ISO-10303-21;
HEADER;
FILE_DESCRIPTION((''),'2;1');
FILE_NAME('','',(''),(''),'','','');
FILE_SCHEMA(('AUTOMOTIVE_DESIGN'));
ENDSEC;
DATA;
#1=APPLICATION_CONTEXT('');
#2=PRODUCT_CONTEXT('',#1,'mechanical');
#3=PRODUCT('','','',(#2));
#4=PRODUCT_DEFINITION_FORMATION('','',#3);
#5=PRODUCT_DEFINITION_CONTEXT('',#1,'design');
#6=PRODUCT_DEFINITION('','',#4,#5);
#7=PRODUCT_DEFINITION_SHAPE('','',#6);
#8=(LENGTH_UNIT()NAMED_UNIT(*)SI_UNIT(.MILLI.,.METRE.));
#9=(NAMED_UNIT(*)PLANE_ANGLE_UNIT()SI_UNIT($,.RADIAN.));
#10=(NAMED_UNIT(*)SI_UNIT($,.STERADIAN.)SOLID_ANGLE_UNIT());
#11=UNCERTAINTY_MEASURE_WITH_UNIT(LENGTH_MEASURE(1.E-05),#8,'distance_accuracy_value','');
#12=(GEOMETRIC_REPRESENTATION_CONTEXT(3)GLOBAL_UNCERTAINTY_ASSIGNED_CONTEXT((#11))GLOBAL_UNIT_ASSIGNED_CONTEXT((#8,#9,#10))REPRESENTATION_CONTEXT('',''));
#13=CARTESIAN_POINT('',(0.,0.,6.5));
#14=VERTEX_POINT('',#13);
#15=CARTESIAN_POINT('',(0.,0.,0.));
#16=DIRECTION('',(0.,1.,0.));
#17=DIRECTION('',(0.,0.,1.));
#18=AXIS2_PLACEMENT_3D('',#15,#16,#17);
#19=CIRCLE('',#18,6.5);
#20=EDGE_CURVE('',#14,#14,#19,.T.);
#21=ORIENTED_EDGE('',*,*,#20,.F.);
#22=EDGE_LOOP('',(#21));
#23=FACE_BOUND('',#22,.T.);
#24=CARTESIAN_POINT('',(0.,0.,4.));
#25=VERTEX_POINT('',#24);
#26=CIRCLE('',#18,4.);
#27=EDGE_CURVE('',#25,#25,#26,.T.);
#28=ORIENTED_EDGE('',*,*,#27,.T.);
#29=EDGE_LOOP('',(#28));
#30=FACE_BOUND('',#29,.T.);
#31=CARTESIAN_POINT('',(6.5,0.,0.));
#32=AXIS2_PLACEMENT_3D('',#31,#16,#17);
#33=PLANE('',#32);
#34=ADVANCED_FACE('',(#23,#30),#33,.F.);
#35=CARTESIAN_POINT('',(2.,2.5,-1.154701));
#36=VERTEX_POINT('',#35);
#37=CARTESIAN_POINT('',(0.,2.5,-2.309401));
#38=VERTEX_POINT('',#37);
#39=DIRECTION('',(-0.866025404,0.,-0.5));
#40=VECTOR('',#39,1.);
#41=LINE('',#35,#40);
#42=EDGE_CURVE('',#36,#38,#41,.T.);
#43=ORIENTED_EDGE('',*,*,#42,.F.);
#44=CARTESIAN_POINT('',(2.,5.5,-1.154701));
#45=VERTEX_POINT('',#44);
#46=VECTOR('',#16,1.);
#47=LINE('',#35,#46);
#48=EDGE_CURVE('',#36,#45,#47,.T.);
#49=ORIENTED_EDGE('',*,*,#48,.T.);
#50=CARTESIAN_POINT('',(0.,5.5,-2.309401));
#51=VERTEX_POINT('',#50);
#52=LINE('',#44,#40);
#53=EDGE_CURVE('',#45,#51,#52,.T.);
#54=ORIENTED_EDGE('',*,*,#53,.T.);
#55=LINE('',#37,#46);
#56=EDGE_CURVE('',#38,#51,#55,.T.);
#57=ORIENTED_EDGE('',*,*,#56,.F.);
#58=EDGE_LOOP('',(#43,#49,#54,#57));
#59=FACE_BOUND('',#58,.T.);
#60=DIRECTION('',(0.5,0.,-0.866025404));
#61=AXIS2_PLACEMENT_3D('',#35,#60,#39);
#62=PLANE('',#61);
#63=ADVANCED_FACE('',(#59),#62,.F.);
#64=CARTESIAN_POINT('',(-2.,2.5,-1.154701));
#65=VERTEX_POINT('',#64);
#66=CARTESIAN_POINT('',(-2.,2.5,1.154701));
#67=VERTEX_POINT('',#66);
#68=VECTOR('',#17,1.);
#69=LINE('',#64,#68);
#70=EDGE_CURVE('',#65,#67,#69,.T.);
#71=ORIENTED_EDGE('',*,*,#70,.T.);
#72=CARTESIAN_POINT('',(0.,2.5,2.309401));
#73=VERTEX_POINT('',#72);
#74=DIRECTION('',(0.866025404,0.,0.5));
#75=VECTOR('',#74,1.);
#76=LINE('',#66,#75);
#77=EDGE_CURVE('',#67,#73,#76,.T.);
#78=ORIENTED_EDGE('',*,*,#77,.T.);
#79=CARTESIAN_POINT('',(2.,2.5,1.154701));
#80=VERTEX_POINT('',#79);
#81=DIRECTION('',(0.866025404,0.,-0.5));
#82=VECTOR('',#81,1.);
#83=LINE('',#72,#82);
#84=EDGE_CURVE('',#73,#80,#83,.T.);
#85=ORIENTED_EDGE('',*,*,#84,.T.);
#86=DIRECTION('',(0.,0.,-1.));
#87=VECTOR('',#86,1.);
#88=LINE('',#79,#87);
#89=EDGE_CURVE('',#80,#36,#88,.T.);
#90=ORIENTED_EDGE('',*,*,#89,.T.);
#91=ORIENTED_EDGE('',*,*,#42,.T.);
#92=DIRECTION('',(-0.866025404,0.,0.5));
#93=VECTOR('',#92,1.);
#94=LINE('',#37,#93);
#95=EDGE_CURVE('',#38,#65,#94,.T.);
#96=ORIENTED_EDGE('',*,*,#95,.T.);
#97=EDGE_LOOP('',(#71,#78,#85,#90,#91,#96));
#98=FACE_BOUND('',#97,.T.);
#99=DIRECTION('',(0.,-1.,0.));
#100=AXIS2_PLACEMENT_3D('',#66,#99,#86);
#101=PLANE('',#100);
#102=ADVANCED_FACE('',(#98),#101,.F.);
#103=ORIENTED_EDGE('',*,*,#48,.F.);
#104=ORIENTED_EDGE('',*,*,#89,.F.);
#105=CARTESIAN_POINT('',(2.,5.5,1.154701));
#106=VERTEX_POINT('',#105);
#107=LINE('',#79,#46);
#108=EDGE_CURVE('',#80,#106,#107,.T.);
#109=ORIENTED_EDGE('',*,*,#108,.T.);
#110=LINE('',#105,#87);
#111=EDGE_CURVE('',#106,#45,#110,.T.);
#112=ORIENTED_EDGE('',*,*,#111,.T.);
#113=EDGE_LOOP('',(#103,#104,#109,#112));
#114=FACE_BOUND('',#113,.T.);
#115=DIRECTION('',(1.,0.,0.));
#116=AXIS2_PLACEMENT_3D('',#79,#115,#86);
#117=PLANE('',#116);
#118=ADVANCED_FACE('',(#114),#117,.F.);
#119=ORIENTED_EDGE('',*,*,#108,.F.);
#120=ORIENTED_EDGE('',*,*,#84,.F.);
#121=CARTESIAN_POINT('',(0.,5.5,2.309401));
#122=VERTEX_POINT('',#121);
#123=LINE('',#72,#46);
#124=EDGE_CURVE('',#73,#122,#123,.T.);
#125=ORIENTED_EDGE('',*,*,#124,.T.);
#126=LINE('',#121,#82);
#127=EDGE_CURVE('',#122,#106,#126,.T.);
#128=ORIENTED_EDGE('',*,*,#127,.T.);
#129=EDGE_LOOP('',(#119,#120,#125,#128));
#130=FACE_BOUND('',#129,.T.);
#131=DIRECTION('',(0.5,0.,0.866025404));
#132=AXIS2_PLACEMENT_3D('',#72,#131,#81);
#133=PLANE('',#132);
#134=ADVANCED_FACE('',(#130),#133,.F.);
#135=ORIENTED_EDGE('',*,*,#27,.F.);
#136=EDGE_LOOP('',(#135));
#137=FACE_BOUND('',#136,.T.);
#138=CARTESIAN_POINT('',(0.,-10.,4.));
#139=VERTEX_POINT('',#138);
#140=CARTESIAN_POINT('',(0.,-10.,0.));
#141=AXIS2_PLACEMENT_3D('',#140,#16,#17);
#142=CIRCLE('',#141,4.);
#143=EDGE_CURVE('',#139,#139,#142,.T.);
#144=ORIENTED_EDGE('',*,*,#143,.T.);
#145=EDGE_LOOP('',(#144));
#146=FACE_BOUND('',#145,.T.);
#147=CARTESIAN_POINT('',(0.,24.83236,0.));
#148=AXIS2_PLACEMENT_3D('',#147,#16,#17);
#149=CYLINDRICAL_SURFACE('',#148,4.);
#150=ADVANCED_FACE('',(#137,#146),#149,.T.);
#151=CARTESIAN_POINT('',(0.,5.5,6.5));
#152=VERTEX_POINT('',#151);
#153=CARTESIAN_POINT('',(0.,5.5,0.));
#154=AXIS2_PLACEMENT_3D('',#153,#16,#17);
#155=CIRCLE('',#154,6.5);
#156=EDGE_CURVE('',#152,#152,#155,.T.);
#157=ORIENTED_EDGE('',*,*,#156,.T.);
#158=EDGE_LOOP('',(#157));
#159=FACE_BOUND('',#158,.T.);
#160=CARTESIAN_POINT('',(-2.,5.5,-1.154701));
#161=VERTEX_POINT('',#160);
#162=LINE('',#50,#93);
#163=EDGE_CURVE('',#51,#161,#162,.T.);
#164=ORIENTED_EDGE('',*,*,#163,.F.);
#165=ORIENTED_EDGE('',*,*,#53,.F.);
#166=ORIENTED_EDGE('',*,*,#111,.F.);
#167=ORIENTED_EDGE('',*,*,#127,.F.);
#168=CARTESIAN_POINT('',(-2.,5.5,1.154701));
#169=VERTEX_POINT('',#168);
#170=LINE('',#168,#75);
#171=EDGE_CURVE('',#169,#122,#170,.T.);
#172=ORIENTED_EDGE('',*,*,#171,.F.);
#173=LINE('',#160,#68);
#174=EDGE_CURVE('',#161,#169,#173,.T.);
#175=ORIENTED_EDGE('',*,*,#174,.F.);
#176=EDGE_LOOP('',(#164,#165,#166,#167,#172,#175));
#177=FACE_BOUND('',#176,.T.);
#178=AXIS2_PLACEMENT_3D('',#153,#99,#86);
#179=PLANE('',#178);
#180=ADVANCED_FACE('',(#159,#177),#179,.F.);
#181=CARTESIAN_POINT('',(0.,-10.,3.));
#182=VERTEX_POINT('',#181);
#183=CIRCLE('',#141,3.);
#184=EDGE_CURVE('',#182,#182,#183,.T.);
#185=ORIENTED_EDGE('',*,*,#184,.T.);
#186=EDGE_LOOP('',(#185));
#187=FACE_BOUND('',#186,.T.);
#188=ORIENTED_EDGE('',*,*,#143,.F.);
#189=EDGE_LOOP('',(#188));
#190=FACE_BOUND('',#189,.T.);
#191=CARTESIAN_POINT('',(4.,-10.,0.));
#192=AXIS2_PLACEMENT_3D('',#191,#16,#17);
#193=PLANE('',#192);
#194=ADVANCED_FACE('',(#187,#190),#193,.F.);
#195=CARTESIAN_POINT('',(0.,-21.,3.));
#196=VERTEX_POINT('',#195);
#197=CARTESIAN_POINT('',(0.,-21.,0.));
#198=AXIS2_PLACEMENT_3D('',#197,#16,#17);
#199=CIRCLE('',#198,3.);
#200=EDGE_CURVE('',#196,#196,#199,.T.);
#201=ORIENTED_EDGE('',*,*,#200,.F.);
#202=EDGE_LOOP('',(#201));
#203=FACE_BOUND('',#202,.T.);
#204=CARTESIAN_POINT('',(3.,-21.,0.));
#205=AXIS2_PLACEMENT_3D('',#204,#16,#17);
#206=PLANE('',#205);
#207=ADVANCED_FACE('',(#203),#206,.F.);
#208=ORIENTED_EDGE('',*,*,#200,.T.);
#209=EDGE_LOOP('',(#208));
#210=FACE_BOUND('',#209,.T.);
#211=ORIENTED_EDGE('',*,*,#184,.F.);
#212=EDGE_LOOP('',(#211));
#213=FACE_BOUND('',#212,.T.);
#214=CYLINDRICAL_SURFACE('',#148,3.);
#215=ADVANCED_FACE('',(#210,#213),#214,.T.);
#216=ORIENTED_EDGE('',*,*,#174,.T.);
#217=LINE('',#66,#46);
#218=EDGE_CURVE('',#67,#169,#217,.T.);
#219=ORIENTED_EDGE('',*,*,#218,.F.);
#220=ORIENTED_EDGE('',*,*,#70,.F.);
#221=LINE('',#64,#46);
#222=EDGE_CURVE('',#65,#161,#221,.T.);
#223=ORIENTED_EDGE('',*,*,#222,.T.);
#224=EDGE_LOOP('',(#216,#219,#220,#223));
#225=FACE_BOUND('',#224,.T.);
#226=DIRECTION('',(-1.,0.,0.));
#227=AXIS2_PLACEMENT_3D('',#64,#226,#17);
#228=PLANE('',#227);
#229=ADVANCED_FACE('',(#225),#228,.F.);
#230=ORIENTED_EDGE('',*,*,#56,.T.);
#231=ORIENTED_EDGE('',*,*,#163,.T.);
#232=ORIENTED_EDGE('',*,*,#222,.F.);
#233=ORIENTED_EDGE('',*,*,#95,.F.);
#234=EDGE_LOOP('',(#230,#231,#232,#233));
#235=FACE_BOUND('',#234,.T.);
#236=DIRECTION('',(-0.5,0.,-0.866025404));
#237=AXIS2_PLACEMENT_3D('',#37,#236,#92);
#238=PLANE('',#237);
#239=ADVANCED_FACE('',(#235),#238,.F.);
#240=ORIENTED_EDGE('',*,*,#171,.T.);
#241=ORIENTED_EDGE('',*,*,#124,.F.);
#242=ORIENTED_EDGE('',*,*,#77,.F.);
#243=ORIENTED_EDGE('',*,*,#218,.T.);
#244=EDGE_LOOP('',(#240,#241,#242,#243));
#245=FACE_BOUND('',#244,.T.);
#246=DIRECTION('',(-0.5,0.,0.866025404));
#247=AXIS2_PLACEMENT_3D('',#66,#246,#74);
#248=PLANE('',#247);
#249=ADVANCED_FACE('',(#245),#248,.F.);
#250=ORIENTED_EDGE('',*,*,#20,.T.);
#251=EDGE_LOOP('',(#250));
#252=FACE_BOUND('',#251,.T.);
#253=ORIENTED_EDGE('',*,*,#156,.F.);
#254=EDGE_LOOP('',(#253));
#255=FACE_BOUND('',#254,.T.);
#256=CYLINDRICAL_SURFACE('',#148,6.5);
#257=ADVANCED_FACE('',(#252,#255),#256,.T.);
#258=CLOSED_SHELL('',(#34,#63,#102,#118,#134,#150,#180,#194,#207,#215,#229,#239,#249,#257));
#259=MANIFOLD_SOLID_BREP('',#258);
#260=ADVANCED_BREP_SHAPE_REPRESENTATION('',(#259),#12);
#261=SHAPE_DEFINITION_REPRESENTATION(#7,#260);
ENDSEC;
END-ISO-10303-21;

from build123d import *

# Parameters (mm, degrees)
SOCKET_DEPTH = 3


with BuildPart() as part:
    # profile → Base-Revolve (revolve)
    with BuildSketch(Plane.XY):
        Polygon((0, 5.5), (6.5, 5.5), (6.5, 0), (4, 0), (4, -10), (3, -10), (3, -21), (0, -21), align=None)
    revolve(axis=Axis((0, 24.832359952, 0), (0, -1, 0)))

    # socket shape → socket (cut)
    with BuildSketch(Plane(origin=(0, 5.5, 0), x_dir=(-1, 0, 0), z_dir=(0, 1, 0))):
        Polygon((0, 2.309401077), (-2, 1.154700538), (-2, -1.154700538), (0, -2.309401077), (2, -1.154700538), (2, 1.154700538), align=None)
    extrude(amount=-SOCKET_DEPTH, mode=Mode.SUBTRACT)


solid = part.part
